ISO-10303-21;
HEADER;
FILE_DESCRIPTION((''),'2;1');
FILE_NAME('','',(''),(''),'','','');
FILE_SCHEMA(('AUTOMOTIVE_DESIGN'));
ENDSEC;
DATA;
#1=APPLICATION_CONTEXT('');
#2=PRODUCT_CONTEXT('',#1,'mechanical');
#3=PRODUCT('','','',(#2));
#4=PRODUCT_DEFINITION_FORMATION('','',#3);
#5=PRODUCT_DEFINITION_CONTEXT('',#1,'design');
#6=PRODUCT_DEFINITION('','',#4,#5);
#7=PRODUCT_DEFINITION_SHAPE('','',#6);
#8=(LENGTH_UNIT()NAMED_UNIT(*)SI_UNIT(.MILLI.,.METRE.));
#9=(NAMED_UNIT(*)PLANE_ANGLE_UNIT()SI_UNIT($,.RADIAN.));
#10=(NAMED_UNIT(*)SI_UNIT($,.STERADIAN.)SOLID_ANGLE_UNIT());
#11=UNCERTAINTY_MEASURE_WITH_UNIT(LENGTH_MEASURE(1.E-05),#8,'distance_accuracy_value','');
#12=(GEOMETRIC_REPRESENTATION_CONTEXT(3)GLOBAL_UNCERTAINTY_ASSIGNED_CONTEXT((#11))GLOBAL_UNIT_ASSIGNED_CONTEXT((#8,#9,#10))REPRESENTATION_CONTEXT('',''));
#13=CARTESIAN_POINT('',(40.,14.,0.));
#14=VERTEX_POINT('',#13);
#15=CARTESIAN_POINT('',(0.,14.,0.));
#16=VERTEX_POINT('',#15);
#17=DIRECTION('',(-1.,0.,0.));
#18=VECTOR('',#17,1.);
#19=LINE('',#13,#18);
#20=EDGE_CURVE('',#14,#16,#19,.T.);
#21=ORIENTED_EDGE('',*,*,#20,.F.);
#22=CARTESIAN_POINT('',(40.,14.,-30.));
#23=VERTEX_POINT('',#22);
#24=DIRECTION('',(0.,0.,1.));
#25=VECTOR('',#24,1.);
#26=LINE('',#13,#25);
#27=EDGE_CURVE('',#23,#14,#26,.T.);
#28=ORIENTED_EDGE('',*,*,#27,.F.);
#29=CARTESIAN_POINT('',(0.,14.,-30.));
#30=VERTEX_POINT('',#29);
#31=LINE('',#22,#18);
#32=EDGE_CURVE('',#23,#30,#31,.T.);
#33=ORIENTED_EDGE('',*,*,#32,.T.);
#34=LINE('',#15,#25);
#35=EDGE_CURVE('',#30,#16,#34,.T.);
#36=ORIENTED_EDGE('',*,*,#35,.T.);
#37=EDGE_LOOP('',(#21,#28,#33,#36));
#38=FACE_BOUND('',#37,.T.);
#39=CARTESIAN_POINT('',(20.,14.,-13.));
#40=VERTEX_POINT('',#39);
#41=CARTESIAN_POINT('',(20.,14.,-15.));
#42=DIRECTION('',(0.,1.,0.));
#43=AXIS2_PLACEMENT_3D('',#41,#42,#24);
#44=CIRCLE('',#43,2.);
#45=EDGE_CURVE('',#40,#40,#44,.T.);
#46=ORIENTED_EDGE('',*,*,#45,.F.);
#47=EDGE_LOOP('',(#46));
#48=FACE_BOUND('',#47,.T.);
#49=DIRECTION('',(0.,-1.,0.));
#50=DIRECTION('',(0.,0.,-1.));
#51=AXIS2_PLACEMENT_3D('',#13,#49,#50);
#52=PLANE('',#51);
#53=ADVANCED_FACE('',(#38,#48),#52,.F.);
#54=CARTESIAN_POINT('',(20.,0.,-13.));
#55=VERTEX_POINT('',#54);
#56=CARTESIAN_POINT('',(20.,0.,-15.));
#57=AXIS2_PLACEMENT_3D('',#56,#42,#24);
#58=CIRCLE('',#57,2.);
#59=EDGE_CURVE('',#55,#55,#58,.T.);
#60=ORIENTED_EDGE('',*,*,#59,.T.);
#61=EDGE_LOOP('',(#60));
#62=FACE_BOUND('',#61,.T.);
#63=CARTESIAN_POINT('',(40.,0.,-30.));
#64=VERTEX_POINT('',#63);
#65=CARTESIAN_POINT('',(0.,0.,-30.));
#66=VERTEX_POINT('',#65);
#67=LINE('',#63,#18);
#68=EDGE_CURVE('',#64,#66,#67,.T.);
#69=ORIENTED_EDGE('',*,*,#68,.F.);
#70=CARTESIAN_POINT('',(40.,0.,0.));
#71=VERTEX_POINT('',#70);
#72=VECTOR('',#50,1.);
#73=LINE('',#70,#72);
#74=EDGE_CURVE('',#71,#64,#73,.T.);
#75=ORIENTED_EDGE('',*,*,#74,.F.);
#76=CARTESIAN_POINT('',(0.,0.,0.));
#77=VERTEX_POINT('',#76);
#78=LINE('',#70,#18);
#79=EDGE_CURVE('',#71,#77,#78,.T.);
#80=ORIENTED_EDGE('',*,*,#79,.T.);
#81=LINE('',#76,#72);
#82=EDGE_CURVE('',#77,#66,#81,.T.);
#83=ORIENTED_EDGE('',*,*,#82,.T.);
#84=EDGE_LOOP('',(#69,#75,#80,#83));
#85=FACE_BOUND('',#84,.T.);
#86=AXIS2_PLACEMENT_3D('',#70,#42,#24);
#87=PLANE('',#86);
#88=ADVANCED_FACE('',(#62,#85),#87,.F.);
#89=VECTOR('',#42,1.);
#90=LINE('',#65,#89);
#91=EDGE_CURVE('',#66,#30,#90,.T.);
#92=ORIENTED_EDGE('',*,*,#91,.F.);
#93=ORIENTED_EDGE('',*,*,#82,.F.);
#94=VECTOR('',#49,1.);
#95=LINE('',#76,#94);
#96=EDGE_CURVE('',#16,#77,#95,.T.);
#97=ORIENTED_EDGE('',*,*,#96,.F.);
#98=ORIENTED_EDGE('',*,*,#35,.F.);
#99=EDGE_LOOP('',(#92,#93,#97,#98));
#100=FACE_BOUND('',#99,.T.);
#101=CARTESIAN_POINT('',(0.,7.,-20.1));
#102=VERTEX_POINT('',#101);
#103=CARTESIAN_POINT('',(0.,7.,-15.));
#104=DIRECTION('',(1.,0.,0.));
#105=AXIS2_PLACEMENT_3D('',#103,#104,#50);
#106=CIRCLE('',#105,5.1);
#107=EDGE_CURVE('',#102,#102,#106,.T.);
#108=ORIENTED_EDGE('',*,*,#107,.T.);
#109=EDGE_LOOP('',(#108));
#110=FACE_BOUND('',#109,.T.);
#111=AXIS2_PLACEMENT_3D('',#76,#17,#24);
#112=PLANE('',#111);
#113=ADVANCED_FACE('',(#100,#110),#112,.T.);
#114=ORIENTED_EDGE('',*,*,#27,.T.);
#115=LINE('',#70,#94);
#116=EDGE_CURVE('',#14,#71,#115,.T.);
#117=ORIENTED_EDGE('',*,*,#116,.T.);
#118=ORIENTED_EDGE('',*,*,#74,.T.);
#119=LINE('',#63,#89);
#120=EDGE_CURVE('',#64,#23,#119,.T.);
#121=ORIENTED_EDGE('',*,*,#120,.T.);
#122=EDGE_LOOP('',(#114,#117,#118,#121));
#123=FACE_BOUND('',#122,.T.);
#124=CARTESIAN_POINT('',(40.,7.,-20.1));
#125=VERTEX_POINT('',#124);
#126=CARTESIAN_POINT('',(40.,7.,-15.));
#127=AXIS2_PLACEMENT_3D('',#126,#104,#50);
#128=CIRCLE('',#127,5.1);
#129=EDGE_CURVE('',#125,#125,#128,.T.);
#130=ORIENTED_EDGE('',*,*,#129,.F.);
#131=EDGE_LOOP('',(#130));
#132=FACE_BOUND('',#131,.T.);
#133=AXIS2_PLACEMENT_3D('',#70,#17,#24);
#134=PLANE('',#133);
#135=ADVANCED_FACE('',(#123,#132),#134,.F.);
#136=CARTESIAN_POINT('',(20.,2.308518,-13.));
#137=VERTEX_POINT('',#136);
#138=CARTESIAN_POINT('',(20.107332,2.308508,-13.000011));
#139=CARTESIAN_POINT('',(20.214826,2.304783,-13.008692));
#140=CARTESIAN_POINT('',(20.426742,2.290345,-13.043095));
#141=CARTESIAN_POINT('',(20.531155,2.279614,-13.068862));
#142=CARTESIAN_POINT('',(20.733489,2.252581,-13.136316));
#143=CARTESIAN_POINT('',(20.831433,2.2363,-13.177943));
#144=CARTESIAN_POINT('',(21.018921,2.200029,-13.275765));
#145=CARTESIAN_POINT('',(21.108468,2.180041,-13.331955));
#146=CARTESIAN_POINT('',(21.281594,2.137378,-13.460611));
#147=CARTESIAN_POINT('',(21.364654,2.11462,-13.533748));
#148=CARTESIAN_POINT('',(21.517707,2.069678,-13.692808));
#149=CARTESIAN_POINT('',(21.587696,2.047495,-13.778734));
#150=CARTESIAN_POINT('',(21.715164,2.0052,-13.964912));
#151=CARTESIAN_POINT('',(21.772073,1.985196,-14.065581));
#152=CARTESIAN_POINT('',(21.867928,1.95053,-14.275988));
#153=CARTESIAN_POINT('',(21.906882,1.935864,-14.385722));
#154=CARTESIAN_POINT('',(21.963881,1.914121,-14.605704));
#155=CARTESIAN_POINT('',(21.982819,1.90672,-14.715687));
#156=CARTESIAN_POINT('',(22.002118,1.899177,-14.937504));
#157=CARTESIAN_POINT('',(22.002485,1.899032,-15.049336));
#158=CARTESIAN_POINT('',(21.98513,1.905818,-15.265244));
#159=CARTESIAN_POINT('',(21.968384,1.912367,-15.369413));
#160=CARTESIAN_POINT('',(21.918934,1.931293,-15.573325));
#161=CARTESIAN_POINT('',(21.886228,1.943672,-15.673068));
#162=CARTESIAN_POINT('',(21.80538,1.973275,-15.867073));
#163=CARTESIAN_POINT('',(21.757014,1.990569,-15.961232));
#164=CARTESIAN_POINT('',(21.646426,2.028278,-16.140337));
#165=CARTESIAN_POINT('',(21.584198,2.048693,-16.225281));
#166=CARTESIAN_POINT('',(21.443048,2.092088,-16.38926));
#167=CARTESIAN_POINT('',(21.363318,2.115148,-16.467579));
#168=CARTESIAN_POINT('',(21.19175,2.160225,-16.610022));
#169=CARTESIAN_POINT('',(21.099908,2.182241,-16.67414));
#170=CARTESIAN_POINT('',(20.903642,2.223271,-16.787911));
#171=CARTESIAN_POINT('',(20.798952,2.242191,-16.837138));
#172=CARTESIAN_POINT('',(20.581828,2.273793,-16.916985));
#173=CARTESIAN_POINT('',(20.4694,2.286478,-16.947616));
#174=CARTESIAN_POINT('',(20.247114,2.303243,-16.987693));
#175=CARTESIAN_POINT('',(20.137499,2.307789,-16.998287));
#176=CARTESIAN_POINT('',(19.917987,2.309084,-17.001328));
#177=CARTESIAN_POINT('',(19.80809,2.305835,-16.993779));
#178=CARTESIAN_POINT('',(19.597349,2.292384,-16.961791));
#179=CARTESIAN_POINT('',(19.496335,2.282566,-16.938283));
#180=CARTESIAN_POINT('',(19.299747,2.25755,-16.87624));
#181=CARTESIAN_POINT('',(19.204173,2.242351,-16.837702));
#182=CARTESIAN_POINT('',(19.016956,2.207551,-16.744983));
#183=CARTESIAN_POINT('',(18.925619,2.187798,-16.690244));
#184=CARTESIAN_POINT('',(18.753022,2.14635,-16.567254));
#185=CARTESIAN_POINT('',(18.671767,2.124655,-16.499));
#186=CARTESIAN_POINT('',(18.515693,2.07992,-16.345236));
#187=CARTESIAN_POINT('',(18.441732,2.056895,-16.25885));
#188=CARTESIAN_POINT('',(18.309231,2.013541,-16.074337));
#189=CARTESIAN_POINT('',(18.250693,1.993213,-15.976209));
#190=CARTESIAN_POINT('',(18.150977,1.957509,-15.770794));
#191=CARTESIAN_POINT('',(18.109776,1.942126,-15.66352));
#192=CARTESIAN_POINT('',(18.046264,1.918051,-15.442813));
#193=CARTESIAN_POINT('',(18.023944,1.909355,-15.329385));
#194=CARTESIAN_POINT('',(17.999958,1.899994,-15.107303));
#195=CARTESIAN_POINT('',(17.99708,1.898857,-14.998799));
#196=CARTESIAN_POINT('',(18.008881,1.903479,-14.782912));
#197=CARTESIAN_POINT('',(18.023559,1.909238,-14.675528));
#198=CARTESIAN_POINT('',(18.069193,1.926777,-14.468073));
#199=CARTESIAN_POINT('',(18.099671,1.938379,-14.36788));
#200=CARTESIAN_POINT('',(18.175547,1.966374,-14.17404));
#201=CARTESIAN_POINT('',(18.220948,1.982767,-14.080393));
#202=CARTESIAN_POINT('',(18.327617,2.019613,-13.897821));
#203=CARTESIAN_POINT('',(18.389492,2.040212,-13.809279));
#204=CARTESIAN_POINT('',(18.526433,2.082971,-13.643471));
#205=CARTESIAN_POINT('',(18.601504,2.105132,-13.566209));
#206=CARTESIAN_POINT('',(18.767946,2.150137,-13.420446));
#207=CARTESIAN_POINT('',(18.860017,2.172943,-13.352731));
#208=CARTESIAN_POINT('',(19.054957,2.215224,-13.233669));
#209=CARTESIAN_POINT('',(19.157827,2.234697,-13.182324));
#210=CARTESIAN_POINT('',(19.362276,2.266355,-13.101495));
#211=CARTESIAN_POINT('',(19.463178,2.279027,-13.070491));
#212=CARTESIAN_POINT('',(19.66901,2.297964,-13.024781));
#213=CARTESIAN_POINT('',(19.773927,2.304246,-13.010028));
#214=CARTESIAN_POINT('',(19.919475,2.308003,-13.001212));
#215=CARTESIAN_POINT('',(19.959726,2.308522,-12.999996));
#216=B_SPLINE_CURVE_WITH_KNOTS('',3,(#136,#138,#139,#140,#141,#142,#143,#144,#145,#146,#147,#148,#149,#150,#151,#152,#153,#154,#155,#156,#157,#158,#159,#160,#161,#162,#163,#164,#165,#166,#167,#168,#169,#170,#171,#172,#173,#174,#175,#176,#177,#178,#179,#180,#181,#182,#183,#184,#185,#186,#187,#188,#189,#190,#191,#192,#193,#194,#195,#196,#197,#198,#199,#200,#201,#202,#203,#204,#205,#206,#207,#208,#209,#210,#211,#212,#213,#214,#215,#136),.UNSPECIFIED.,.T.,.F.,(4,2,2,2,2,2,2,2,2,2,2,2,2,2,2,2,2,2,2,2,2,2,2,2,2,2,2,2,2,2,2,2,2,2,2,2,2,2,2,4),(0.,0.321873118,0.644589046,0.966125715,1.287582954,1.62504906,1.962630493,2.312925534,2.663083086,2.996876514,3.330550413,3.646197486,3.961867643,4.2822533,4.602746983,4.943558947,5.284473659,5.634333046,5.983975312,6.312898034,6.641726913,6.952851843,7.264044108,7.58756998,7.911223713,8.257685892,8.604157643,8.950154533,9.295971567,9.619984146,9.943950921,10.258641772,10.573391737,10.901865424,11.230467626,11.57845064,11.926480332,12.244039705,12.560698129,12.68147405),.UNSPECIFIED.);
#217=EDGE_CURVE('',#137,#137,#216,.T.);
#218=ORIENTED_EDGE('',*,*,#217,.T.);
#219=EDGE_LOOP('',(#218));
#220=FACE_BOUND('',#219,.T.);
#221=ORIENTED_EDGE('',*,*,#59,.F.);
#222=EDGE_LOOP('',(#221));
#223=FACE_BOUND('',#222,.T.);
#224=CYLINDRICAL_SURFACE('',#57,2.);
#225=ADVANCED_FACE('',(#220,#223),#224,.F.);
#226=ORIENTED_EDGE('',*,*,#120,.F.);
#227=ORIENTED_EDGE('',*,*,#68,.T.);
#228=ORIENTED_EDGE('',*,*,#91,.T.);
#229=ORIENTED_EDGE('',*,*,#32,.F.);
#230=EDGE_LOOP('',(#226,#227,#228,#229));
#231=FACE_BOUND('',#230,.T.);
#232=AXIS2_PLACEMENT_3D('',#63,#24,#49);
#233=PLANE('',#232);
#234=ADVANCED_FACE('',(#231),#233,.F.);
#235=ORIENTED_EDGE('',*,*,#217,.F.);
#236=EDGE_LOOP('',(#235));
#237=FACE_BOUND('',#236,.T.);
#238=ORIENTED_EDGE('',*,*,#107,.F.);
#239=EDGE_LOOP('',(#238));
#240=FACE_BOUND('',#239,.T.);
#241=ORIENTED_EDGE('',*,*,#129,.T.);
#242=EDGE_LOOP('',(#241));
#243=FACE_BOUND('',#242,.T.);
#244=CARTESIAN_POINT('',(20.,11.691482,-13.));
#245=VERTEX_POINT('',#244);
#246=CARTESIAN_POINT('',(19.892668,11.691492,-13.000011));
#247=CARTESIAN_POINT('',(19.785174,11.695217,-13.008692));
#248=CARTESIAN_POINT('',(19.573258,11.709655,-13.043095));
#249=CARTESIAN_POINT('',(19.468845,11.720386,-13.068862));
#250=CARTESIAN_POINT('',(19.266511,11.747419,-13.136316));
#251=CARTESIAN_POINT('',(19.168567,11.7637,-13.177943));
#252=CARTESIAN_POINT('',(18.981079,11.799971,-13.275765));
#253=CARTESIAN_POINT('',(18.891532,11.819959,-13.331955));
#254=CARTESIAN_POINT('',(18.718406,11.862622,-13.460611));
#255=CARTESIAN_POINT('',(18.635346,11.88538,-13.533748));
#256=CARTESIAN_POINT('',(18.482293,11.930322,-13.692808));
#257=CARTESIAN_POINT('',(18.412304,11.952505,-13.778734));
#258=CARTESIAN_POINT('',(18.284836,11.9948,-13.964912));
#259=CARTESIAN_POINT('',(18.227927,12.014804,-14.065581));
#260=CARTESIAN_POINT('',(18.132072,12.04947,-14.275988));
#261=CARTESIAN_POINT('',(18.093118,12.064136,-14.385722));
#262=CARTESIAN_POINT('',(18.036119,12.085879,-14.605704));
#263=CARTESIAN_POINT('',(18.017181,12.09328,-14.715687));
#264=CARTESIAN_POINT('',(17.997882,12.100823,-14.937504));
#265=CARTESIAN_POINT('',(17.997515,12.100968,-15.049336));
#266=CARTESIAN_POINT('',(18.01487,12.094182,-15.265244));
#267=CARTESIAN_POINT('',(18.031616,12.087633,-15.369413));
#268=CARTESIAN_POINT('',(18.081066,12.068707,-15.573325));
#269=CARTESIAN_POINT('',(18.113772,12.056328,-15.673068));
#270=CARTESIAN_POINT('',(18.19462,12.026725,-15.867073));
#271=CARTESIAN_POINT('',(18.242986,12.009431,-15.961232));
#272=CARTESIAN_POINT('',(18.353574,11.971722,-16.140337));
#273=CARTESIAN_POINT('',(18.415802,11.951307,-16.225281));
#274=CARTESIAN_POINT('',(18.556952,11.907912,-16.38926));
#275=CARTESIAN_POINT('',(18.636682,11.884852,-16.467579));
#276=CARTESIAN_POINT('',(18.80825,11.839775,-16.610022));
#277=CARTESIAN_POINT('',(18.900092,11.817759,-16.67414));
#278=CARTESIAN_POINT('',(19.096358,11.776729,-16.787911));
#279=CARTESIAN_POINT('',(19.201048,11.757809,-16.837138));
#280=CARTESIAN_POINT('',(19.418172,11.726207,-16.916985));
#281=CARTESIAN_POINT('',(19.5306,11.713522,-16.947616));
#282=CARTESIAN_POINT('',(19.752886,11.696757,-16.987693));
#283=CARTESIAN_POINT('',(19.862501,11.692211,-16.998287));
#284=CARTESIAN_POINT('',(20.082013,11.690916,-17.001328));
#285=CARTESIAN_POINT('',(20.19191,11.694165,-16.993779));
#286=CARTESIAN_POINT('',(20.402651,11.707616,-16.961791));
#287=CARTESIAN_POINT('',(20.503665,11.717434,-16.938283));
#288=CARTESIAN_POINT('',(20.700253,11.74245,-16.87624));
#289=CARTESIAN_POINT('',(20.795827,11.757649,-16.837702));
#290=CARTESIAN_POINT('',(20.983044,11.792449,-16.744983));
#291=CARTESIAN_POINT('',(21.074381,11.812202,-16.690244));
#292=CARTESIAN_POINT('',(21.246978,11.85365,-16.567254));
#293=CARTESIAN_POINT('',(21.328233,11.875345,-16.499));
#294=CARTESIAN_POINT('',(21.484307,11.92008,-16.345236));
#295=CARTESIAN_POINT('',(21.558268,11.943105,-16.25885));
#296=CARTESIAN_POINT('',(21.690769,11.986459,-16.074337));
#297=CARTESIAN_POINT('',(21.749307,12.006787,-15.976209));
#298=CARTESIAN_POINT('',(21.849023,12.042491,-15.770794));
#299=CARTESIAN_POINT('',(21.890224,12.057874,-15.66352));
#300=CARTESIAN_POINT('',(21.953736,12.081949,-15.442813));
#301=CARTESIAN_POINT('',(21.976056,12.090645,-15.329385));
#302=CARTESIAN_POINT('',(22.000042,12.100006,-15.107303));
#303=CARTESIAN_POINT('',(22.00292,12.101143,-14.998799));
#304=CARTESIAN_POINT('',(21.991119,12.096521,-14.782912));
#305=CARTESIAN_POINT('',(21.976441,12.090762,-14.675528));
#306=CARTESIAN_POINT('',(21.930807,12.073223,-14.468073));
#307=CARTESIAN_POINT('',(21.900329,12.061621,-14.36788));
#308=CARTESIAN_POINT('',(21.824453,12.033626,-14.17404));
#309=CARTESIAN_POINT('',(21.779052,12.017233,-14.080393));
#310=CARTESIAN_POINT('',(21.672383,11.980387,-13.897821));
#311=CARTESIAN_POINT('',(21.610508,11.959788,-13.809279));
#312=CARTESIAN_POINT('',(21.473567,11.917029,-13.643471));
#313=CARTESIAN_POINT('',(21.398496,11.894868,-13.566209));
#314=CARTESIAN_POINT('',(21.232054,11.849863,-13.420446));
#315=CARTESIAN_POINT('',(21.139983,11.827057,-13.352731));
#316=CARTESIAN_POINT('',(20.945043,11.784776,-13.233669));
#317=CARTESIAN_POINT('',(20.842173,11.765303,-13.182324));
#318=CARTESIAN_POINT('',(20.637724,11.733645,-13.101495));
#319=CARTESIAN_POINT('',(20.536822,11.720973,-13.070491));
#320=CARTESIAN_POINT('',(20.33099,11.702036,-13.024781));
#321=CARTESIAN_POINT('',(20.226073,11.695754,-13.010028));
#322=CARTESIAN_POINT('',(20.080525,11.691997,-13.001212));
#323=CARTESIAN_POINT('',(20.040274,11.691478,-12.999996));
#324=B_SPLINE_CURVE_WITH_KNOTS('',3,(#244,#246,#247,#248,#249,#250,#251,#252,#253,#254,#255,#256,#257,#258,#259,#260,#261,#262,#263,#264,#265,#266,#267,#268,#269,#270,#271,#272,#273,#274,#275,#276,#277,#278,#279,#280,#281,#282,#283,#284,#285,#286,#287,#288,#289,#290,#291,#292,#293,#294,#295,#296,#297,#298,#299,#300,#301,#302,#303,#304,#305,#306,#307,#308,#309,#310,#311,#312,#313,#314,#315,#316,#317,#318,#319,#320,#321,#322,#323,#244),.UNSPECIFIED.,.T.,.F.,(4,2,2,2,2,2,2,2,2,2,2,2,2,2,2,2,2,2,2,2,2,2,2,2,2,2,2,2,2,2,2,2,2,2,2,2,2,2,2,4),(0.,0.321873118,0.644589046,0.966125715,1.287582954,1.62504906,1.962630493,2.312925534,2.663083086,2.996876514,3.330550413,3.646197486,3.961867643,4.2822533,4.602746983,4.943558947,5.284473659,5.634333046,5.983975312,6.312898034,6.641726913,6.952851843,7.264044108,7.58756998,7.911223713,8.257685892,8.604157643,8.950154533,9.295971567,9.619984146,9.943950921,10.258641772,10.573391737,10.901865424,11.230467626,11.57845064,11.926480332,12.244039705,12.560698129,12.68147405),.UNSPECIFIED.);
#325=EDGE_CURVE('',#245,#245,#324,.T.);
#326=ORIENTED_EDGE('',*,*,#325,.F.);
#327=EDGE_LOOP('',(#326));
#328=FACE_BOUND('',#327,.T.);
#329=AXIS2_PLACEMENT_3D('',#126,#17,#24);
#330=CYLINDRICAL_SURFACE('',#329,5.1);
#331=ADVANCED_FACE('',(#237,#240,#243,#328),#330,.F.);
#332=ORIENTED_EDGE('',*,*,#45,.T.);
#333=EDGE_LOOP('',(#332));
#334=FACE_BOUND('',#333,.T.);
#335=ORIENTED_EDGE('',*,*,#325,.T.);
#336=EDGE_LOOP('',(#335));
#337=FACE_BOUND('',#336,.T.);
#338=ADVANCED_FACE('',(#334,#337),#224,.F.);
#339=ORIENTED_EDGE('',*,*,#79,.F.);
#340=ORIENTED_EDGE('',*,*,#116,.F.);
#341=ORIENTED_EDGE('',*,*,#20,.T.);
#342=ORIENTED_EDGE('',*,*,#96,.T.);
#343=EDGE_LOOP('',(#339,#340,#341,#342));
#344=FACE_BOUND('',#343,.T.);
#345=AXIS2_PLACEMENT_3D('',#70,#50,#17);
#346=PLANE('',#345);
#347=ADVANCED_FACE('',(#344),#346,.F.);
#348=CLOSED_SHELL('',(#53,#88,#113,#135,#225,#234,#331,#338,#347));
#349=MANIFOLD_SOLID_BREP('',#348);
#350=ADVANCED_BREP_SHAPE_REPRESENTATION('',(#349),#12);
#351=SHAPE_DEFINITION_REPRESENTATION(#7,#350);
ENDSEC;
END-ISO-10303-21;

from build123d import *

# Parameters (mm, degrees)
SKETCH_2_W          = 30
SKETCH_2_H          = 14
SKETCH_2_R          = 5.1
EXTRUDE_1_DEPTH     = 40
SKETCH_3_R          = 2
CUT_EXTRUDE_1_DEPTH = 52.923019943


with BuildPart() as part:
    # 草圖2 → 填料-伸長1 (new body)
    with BuildSketch(Plane(origin=(0, 0, 0), x_dir=(0, 0, -1), z_dir=(1, 0, 0))):
        with Locations((15, 7)):
            Rectangle(SKETCH_2_W, SKETCH_2_H)
        with Locations((15, 7)):
            Circle(SKETCH_2_R, mode=Mode.SUBTRACT)
    extrude(amount=EXTRUDE_1_DEPTH)

    # 草圖3 → 除料-伸長1 (cut, through all)
    with BuildSketch(Plane(origin=(0, 14, 0), x_dir=(1, 0, 0), z_dir=(0, 1, 0))):
        with Locations(Location((20, 15, 0), (0, 0, 270))):
            Circle(SKETCH_3_R)
    extrude(amount=-CUT_EXTRUDE_1_DEPTH, mode=Mode.SUBTRACT)


solid = part.part
